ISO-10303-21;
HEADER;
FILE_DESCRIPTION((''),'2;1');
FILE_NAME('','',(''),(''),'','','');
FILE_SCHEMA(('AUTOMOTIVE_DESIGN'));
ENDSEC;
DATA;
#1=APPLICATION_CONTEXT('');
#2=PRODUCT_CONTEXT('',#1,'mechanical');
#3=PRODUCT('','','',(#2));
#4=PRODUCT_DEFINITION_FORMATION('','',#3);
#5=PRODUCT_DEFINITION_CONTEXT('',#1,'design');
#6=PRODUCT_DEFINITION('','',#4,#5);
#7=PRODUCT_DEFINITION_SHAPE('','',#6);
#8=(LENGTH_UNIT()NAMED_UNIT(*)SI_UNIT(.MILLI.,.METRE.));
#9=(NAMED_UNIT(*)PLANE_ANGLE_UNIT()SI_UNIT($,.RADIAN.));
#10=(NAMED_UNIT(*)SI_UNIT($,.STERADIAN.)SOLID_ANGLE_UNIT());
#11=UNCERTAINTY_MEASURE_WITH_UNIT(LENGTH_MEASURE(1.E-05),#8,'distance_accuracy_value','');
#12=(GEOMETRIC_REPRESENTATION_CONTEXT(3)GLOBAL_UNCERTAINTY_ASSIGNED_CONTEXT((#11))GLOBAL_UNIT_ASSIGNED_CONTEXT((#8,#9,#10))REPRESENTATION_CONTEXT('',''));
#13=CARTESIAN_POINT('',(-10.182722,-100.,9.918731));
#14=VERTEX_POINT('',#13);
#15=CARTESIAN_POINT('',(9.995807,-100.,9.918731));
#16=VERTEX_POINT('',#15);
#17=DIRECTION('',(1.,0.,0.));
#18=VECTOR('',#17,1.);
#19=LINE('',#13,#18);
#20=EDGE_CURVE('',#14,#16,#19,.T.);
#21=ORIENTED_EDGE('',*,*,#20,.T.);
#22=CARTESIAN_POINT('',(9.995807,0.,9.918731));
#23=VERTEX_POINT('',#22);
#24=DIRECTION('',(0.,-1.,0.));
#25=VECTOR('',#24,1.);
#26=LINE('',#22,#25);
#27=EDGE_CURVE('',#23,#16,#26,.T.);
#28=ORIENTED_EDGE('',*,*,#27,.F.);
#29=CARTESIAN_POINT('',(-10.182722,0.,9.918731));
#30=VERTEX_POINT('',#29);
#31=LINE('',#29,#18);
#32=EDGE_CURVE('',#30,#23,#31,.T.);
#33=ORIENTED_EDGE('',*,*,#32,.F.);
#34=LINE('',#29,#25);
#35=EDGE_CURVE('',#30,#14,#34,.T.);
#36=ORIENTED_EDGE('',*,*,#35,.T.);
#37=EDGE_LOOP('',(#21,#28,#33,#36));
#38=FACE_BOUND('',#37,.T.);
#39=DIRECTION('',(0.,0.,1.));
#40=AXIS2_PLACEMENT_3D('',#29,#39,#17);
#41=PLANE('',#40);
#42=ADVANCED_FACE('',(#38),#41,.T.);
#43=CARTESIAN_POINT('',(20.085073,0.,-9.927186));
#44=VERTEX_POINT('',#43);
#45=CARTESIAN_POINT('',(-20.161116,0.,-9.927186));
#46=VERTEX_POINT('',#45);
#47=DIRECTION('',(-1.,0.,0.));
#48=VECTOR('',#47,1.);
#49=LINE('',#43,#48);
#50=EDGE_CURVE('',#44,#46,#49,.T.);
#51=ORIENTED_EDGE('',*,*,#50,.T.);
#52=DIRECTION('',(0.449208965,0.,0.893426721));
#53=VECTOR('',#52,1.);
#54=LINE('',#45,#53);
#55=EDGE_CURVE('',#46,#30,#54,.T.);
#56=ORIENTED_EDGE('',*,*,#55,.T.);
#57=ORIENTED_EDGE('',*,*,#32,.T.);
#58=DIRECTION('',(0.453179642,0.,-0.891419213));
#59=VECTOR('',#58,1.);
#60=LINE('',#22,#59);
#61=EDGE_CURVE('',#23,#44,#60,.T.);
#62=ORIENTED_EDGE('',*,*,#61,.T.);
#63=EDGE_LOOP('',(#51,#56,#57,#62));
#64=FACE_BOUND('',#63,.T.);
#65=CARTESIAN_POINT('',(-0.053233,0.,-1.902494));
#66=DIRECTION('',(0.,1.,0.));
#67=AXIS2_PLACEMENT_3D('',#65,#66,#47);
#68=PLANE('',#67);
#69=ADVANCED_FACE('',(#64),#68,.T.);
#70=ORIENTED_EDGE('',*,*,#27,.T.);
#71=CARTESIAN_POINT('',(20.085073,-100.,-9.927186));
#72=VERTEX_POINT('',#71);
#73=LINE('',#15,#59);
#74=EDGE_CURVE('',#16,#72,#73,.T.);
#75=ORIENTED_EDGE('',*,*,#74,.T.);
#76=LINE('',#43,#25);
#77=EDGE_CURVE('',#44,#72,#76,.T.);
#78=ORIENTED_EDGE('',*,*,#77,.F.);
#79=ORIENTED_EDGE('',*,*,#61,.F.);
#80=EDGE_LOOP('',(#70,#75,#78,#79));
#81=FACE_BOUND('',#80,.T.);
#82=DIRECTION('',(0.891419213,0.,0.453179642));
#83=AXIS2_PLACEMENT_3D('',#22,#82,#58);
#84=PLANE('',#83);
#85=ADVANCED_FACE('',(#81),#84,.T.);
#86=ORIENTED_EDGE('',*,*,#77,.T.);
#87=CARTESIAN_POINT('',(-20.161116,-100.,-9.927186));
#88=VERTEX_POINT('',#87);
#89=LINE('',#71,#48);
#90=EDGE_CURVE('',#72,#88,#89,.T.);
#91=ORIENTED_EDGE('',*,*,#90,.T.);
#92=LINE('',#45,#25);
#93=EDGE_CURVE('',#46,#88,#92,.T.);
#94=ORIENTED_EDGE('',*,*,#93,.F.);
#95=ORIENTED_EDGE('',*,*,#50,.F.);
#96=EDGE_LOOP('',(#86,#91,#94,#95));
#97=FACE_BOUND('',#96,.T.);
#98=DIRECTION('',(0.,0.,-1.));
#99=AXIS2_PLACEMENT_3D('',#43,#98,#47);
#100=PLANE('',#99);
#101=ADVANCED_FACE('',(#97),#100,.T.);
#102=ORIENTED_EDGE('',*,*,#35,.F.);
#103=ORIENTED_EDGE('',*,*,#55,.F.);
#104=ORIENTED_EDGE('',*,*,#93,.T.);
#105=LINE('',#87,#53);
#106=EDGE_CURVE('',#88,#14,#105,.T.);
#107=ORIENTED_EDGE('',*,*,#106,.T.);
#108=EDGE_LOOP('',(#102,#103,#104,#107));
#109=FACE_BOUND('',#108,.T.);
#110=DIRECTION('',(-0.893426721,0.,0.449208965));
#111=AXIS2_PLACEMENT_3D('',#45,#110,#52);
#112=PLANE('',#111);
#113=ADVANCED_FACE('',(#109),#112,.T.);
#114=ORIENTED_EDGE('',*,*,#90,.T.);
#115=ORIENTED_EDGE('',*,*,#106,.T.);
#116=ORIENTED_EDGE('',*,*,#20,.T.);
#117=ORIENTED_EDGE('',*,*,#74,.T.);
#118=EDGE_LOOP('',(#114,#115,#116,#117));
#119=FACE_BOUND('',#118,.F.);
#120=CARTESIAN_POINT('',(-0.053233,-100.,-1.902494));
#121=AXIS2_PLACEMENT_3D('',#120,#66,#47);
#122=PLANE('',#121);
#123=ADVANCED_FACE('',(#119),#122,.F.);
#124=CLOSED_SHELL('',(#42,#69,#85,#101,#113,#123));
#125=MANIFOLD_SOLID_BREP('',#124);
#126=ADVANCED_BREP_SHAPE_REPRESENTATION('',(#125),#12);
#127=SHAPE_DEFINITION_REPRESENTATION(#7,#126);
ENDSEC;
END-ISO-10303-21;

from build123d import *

# Parameters (mm, degrees)
PAD_DEPTH = 100


with BuildPart() as part:
    # Sketch → Pad (new body)
    with BuildSketch(Plane.XZ):
        Polygon((-10.182722, 9.918731), (9.995807, 9.918731), (20.085073, -9.927186), (-20.161116, -9.927186), align=None)
    extrude(amount=PAD_DEPTH)


solid = part.part
